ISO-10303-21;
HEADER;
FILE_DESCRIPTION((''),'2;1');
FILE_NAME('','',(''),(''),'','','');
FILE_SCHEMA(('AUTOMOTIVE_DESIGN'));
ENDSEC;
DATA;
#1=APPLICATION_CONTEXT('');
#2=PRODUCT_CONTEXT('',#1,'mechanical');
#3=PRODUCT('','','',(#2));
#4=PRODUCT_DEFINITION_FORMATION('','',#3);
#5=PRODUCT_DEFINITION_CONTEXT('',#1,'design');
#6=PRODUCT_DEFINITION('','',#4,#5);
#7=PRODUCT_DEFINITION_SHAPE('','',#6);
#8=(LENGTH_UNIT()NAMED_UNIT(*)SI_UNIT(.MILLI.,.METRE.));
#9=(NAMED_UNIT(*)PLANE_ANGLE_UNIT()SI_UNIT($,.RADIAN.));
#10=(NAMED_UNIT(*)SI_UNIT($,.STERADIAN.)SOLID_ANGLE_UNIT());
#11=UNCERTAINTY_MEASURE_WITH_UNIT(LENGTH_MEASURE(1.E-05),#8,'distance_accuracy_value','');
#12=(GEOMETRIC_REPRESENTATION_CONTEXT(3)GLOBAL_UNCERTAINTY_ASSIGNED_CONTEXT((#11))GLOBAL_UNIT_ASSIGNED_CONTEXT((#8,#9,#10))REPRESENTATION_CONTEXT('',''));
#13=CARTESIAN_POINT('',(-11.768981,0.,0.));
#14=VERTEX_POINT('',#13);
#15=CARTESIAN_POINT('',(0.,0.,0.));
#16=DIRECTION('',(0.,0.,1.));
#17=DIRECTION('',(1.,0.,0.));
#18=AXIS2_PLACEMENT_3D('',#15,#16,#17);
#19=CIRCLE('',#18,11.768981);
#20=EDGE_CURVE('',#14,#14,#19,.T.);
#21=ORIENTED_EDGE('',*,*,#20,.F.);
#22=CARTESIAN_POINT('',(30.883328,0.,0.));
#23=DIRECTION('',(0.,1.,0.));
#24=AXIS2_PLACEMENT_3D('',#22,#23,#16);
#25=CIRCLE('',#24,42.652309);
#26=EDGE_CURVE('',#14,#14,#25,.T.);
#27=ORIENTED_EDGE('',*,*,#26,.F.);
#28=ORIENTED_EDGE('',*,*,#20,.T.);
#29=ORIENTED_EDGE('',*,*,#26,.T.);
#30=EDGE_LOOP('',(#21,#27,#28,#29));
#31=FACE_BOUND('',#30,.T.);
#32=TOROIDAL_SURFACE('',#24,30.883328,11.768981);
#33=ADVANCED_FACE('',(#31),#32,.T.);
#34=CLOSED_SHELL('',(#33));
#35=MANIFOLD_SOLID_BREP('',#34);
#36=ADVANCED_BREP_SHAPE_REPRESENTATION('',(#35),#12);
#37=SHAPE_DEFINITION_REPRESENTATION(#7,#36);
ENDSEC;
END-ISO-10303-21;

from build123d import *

# Parameters (mm, degrees)
SKETCH_1_R = 11.768980609


with BuildPart() as part:
    # 扫描1: sweep along a path in 草图2
    with BuildLine(Plane(origin=(0, 0, 0), x_dir=(1, 0, 0), z_dir=(0, 1, 0))) as sweep_1_path:
        CenterArc((30.883327985, 0), 30.883327985, 0, 360)
    # 草图1 → 扫描1 (sweep)
    with BuildSketch(Plane.XY):
        Circle(SKETCH_1_R)
    sweep(path=sweep_1_path.line)


solid = part.part
